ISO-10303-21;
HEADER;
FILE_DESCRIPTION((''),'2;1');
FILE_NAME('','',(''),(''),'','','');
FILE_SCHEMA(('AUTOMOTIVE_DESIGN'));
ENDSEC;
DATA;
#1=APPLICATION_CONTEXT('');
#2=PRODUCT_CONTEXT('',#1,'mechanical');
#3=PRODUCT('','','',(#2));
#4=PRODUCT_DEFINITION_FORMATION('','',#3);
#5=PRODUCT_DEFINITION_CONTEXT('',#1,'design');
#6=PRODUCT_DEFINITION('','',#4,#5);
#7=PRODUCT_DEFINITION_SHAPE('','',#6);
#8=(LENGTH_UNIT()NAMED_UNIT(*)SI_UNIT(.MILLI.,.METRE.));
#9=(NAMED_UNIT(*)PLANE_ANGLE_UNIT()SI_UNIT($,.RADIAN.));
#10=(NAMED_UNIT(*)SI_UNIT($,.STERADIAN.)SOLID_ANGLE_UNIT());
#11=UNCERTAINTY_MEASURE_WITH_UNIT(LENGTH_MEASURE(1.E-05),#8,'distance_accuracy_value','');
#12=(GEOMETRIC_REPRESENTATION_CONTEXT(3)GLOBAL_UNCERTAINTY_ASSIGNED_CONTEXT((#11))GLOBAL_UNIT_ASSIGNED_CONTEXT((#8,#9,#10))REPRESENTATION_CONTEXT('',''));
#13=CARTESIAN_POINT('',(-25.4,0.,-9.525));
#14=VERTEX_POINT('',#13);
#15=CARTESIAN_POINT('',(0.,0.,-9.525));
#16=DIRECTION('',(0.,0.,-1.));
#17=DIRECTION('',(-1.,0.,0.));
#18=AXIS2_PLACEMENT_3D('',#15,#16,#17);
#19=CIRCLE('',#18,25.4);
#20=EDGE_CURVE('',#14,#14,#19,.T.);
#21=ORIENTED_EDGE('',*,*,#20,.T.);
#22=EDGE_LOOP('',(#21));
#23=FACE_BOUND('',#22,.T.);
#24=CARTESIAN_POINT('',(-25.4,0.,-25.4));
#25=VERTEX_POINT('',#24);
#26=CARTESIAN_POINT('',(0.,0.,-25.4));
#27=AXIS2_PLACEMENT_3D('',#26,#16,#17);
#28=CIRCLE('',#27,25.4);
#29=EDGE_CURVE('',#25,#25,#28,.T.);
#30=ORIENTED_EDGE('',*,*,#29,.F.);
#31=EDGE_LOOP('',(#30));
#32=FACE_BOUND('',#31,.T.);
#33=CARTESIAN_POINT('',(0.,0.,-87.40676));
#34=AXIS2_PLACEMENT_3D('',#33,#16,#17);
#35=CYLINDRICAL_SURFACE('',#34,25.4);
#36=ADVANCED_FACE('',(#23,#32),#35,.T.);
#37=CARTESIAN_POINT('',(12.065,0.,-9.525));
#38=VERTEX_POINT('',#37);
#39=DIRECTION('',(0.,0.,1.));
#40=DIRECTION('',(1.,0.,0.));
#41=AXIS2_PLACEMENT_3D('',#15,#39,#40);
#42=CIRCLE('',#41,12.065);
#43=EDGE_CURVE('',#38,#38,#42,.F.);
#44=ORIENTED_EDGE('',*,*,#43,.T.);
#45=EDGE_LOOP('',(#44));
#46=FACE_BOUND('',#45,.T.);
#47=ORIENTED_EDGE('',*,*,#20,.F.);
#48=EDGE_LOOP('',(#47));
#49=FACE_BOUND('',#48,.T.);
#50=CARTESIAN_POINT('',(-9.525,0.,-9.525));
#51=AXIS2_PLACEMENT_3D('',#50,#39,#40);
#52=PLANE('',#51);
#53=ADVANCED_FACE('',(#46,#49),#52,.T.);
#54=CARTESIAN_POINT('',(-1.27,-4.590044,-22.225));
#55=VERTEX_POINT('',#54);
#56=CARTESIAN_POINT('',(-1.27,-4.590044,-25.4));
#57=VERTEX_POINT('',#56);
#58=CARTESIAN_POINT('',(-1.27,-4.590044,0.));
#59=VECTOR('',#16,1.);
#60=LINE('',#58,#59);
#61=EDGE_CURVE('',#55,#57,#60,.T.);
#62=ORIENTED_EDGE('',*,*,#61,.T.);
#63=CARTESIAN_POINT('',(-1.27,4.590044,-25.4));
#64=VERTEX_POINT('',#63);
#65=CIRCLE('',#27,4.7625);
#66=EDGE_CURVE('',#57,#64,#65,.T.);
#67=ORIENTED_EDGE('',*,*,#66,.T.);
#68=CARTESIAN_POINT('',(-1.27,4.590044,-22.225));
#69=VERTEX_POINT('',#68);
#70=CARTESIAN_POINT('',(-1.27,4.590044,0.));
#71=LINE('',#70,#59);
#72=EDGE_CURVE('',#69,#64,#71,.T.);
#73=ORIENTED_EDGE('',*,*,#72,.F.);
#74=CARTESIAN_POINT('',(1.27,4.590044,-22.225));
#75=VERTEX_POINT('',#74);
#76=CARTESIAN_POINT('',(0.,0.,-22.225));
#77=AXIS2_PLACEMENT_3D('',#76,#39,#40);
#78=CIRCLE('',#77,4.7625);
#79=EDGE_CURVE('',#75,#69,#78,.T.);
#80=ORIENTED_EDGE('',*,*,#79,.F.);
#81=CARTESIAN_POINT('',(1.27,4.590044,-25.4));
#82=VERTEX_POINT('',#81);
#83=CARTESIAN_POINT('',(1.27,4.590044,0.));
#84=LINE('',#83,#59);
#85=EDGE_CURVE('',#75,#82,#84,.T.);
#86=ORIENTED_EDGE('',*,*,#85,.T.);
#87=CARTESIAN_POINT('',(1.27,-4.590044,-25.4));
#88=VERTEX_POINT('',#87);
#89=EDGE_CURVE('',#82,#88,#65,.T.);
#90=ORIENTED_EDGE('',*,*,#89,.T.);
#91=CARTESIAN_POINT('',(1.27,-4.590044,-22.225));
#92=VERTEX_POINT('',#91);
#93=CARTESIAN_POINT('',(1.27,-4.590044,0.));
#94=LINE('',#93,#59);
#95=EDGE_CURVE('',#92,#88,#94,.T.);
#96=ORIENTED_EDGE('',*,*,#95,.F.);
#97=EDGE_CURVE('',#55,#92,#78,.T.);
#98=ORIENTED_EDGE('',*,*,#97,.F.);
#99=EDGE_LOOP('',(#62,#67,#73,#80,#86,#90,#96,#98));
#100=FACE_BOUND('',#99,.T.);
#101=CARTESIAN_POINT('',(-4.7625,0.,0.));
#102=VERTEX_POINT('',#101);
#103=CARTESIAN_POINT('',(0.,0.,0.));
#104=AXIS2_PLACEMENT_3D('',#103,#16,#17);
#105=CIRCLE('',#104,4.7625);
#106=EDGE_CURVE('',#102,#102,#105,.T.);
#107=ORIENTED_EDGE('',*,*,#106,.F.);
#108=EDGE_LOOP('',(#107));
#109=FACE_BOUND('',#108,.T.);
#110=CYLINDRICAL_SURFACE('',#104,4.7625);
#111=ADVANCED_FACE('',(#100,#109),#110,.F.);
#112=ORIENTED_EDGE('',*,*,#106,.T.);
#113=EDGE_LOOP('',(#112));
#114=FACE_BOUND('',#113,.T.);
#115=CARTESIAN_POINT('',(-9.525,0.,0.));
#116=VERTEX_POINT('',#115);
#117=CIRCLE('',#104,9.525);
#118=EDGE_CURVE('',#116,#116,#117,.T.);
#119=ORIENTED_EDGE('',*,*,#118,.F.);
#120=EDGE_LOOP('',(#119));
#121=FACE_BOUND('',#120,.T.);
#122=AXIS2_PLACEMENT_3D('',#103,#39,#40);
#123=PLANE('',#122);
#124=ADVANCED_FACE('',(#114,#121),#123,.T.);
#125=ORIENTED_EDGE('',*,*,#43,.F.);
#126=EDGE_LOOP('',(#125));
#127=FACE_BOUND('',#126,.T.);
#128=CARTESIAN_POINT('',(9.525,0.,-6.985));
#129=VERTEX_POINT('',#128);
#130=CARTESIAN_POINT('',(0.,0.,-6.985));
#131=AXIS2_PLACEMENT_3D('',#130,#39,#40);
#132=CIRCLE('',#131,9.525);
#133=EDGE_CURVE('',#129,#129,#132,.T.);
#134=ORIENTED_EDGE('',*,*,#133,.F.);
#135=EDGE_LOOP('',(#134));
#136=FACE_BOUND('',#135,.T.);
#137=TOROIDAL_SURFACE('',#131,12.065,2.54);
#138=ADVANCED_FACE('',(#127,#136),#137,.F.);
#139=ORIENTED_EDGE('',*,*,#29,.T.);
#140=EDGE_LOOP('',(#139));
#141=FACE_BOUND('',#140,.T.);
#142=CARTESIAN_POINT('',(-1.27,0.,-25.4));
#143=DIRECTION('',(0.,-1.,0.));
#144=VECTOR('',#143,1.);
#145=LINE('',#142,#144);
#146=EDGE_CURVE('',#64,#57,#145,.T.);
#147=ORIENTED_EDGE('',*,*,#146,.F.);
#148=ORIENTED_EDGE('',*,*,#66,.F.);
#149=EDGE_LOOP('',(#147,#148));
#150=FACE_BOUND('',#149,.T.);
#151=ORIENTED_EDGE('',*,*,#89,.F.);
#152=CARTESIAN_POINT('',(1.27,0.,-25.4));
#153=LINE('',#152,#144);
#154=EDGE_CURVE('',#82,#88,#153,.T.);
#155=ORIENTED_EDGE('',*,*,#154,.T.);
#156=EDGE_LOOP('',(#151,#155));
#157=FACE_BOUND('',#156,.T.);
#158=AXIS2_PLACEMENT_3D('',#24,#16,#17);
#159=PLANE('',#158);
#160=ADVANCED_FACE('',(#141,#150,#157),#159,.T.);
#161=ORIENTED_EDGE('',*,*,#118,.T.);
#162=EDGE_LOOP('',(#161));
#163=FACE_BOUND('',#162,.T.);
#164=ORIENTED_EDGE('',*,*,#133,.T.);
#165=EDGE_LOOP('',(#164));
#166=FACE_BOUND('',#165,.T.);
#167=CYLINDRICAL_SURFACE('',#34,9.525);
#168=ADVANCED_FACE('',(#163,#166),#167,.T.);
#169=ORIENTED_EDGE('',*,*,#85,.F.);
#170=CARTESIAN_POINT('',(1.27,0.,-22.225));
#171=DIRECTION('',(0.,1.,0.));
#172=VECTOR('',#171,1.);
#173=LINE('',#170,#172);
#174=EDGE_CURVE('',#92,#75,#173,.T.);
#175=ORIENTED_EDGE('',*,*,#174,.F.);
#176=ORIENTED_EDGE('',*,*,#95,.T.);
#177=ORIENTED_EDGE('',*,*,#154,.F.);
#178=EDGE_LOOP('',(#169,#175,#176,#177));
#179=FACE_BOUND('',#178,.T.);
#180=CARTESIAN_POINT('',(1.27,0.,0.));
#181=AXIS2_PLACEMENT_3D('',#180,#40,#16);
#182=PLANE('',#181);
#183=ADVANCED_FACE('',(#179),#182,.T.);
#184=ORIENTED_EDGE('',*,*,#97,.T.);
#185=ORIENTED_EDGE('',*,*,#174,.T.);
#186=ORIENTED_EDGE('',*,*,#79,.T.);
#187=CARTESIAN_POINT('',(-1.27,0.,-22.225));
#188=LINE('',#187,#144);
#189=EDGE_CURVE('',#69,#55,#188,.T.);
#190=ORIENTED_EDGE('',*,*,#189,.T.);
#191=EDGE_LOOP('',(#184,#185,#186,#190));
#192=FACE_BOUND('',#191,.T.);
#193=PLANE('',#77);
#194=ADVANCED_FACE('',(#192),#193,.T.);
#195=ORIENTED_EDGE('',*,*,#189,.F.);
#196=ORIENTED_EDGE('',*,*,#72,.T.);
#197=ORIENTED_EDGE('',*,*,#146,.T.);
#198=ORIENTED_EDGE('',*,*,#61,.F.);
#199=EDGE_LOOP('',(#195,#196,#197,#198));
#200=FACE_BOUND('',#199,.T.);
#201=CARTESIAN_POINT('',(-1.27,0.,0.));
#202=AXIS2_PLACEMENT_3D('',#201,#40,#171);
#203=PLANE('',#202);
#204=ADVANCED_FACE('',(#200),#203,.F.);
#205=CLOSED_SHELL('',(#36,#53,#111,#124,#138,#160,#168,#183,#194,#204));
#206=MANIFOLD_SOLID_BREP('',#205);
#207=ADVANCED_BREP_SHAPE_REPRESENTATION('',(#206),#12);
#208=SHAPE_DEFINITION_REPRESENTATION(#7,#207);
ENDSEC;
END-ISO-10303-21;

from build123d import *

# Parameters (mm, degrees)
CUT_EXTRUDE1_DEPTH = 26.4
CUT_EXTRUDE2_DEPTH = 22.225
FILLET1_R          = 2.54


with BuildPart() as part:
    # Sketch1 → Revolve1 (revolve)
    with BuildSketch(Plane(origin=(0, 0, 0), x_dir=(1, 0, 0), z_dir=(0, 1, 0))):
        Polygon((0, 0), (-9.525, 0), (-9.525, 9.525), (-25.4, 9.525), (-25.4, 25.4), (0, 25.4), align=None)
    revolve(axis=Axis((0, 0, -87.406759955), (0, 0, 1)))

    # Sketch2 → Cut-Extrude1 (cut, through all)
    with BuildSketch(Plane(origin=(0, 0, -25.4), x_dir=(-1, 0, 0), z_dir=(0, 0, -1))):
        with BuildLine():
            Line((-1.27, -4.590044254), (-1.27, 4.590044254))
            ThreePointArc((-1.27, 4.590044254), (-4.7625, 0), (-1.27, -4.590044254))
        make_face()
        with BuildLine():
            ThreePointArc((4.7625, 0), (3.790104303, 2.883836962), (1.27, 4.590044254))
            Line((1.27, 4.590044254), (1.27, -4.590044254))
            ThreePointArc((1.27, -4.590044254), (3.790104303, -2.883836962), (4.7625, 0))
        make_face()
    extrude(amount=-CUT_EXTRUDE1_DEPTH, mode=Mode.SUBTRACT)

    # Sketch3 → Cut-Extrude2 (cut)
    with BuildSketch(Plane.XY):
        with BuildLine():
            ThreePointArc((1.27, 4.590044254), (0, 4.7625), (-1.27, 4.590044254))
            Line((-1.27, 4.590044254), (-1.27, -4.590044254))
            ThreePointArc((-1.27, -4.590044254), (0, -4.7625), (1.27, -4.590044254))
            Line((1.27, -4.590044254), (1.27, 4.590044254))
        make_face()
    extrude(amount=-CUT_EXTRUDE2_DEPTH, mode=Mode.SUBTRACT)

    # Fillet1
    fillet1_edges = [part.edges().sort_by_distance(p)[0] for p in [
        (9.525, 0, -9.525),
    ]]
    fillet(fillet1_edges, radius=FILLET1_R)


solid = part.part
